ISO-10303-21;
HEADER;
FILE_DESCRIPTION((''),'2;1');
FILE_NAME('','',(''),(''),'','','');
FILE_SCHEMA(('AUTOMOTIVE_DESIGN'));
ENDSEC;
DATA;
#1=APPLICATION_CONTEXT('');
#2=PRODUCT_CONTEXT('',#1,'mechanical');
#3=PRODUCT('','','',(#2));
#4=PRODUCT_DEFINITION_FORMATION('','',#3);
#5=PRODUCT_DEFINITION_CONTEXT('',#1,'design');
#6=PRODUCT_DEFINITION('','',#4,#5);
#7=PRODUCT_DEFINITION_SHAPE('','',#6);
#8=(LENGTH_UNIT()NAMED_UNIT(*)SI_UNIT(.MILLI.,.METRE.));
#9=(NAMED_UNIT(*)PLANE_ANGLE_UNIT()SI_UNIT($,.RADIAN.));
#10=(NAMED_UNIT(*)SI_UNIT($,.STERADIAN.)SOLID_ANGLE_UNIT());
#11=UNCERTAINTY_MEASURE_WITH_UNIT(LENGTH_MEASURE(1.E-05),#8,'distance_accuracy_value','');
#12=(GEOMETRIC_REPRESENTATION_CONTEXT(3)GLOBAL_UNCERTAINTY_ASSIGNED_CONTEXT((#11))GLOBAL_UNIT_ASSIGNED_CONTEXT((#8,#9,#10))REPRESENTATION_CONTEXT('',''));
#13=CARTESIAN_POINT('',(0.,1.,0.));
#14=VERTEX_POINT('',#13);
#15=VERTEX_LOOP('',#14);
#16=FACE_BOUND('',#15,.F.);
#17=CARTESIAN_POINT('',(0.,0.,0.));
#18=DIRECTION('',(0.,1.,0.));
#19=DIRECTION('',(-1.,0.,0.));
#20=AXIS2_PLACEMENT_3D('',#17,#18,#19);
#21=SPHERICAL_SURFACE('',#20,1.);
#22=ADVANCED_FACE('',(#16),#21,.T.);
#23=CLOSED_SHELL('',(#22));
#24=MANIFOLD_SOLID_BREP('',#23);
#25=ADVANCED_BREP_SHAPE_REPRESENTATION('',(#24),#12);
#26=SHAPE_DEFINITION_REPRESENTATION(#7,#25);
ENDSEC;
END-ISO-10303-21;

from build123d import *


with BuildPart() as part:
    # Sketch1 → Revolve1 (revolve)
    with BuildSketch(Plane.XY):
        with BuildLine():
            Line((0, 1), (0, -1))
            ThreePointArc((0, -1), (-1, 0), (0, 1))
        make_face()
    revolve(axis=Axis((0, 1, 0), (0, -1, 0)))


solid = part.part
